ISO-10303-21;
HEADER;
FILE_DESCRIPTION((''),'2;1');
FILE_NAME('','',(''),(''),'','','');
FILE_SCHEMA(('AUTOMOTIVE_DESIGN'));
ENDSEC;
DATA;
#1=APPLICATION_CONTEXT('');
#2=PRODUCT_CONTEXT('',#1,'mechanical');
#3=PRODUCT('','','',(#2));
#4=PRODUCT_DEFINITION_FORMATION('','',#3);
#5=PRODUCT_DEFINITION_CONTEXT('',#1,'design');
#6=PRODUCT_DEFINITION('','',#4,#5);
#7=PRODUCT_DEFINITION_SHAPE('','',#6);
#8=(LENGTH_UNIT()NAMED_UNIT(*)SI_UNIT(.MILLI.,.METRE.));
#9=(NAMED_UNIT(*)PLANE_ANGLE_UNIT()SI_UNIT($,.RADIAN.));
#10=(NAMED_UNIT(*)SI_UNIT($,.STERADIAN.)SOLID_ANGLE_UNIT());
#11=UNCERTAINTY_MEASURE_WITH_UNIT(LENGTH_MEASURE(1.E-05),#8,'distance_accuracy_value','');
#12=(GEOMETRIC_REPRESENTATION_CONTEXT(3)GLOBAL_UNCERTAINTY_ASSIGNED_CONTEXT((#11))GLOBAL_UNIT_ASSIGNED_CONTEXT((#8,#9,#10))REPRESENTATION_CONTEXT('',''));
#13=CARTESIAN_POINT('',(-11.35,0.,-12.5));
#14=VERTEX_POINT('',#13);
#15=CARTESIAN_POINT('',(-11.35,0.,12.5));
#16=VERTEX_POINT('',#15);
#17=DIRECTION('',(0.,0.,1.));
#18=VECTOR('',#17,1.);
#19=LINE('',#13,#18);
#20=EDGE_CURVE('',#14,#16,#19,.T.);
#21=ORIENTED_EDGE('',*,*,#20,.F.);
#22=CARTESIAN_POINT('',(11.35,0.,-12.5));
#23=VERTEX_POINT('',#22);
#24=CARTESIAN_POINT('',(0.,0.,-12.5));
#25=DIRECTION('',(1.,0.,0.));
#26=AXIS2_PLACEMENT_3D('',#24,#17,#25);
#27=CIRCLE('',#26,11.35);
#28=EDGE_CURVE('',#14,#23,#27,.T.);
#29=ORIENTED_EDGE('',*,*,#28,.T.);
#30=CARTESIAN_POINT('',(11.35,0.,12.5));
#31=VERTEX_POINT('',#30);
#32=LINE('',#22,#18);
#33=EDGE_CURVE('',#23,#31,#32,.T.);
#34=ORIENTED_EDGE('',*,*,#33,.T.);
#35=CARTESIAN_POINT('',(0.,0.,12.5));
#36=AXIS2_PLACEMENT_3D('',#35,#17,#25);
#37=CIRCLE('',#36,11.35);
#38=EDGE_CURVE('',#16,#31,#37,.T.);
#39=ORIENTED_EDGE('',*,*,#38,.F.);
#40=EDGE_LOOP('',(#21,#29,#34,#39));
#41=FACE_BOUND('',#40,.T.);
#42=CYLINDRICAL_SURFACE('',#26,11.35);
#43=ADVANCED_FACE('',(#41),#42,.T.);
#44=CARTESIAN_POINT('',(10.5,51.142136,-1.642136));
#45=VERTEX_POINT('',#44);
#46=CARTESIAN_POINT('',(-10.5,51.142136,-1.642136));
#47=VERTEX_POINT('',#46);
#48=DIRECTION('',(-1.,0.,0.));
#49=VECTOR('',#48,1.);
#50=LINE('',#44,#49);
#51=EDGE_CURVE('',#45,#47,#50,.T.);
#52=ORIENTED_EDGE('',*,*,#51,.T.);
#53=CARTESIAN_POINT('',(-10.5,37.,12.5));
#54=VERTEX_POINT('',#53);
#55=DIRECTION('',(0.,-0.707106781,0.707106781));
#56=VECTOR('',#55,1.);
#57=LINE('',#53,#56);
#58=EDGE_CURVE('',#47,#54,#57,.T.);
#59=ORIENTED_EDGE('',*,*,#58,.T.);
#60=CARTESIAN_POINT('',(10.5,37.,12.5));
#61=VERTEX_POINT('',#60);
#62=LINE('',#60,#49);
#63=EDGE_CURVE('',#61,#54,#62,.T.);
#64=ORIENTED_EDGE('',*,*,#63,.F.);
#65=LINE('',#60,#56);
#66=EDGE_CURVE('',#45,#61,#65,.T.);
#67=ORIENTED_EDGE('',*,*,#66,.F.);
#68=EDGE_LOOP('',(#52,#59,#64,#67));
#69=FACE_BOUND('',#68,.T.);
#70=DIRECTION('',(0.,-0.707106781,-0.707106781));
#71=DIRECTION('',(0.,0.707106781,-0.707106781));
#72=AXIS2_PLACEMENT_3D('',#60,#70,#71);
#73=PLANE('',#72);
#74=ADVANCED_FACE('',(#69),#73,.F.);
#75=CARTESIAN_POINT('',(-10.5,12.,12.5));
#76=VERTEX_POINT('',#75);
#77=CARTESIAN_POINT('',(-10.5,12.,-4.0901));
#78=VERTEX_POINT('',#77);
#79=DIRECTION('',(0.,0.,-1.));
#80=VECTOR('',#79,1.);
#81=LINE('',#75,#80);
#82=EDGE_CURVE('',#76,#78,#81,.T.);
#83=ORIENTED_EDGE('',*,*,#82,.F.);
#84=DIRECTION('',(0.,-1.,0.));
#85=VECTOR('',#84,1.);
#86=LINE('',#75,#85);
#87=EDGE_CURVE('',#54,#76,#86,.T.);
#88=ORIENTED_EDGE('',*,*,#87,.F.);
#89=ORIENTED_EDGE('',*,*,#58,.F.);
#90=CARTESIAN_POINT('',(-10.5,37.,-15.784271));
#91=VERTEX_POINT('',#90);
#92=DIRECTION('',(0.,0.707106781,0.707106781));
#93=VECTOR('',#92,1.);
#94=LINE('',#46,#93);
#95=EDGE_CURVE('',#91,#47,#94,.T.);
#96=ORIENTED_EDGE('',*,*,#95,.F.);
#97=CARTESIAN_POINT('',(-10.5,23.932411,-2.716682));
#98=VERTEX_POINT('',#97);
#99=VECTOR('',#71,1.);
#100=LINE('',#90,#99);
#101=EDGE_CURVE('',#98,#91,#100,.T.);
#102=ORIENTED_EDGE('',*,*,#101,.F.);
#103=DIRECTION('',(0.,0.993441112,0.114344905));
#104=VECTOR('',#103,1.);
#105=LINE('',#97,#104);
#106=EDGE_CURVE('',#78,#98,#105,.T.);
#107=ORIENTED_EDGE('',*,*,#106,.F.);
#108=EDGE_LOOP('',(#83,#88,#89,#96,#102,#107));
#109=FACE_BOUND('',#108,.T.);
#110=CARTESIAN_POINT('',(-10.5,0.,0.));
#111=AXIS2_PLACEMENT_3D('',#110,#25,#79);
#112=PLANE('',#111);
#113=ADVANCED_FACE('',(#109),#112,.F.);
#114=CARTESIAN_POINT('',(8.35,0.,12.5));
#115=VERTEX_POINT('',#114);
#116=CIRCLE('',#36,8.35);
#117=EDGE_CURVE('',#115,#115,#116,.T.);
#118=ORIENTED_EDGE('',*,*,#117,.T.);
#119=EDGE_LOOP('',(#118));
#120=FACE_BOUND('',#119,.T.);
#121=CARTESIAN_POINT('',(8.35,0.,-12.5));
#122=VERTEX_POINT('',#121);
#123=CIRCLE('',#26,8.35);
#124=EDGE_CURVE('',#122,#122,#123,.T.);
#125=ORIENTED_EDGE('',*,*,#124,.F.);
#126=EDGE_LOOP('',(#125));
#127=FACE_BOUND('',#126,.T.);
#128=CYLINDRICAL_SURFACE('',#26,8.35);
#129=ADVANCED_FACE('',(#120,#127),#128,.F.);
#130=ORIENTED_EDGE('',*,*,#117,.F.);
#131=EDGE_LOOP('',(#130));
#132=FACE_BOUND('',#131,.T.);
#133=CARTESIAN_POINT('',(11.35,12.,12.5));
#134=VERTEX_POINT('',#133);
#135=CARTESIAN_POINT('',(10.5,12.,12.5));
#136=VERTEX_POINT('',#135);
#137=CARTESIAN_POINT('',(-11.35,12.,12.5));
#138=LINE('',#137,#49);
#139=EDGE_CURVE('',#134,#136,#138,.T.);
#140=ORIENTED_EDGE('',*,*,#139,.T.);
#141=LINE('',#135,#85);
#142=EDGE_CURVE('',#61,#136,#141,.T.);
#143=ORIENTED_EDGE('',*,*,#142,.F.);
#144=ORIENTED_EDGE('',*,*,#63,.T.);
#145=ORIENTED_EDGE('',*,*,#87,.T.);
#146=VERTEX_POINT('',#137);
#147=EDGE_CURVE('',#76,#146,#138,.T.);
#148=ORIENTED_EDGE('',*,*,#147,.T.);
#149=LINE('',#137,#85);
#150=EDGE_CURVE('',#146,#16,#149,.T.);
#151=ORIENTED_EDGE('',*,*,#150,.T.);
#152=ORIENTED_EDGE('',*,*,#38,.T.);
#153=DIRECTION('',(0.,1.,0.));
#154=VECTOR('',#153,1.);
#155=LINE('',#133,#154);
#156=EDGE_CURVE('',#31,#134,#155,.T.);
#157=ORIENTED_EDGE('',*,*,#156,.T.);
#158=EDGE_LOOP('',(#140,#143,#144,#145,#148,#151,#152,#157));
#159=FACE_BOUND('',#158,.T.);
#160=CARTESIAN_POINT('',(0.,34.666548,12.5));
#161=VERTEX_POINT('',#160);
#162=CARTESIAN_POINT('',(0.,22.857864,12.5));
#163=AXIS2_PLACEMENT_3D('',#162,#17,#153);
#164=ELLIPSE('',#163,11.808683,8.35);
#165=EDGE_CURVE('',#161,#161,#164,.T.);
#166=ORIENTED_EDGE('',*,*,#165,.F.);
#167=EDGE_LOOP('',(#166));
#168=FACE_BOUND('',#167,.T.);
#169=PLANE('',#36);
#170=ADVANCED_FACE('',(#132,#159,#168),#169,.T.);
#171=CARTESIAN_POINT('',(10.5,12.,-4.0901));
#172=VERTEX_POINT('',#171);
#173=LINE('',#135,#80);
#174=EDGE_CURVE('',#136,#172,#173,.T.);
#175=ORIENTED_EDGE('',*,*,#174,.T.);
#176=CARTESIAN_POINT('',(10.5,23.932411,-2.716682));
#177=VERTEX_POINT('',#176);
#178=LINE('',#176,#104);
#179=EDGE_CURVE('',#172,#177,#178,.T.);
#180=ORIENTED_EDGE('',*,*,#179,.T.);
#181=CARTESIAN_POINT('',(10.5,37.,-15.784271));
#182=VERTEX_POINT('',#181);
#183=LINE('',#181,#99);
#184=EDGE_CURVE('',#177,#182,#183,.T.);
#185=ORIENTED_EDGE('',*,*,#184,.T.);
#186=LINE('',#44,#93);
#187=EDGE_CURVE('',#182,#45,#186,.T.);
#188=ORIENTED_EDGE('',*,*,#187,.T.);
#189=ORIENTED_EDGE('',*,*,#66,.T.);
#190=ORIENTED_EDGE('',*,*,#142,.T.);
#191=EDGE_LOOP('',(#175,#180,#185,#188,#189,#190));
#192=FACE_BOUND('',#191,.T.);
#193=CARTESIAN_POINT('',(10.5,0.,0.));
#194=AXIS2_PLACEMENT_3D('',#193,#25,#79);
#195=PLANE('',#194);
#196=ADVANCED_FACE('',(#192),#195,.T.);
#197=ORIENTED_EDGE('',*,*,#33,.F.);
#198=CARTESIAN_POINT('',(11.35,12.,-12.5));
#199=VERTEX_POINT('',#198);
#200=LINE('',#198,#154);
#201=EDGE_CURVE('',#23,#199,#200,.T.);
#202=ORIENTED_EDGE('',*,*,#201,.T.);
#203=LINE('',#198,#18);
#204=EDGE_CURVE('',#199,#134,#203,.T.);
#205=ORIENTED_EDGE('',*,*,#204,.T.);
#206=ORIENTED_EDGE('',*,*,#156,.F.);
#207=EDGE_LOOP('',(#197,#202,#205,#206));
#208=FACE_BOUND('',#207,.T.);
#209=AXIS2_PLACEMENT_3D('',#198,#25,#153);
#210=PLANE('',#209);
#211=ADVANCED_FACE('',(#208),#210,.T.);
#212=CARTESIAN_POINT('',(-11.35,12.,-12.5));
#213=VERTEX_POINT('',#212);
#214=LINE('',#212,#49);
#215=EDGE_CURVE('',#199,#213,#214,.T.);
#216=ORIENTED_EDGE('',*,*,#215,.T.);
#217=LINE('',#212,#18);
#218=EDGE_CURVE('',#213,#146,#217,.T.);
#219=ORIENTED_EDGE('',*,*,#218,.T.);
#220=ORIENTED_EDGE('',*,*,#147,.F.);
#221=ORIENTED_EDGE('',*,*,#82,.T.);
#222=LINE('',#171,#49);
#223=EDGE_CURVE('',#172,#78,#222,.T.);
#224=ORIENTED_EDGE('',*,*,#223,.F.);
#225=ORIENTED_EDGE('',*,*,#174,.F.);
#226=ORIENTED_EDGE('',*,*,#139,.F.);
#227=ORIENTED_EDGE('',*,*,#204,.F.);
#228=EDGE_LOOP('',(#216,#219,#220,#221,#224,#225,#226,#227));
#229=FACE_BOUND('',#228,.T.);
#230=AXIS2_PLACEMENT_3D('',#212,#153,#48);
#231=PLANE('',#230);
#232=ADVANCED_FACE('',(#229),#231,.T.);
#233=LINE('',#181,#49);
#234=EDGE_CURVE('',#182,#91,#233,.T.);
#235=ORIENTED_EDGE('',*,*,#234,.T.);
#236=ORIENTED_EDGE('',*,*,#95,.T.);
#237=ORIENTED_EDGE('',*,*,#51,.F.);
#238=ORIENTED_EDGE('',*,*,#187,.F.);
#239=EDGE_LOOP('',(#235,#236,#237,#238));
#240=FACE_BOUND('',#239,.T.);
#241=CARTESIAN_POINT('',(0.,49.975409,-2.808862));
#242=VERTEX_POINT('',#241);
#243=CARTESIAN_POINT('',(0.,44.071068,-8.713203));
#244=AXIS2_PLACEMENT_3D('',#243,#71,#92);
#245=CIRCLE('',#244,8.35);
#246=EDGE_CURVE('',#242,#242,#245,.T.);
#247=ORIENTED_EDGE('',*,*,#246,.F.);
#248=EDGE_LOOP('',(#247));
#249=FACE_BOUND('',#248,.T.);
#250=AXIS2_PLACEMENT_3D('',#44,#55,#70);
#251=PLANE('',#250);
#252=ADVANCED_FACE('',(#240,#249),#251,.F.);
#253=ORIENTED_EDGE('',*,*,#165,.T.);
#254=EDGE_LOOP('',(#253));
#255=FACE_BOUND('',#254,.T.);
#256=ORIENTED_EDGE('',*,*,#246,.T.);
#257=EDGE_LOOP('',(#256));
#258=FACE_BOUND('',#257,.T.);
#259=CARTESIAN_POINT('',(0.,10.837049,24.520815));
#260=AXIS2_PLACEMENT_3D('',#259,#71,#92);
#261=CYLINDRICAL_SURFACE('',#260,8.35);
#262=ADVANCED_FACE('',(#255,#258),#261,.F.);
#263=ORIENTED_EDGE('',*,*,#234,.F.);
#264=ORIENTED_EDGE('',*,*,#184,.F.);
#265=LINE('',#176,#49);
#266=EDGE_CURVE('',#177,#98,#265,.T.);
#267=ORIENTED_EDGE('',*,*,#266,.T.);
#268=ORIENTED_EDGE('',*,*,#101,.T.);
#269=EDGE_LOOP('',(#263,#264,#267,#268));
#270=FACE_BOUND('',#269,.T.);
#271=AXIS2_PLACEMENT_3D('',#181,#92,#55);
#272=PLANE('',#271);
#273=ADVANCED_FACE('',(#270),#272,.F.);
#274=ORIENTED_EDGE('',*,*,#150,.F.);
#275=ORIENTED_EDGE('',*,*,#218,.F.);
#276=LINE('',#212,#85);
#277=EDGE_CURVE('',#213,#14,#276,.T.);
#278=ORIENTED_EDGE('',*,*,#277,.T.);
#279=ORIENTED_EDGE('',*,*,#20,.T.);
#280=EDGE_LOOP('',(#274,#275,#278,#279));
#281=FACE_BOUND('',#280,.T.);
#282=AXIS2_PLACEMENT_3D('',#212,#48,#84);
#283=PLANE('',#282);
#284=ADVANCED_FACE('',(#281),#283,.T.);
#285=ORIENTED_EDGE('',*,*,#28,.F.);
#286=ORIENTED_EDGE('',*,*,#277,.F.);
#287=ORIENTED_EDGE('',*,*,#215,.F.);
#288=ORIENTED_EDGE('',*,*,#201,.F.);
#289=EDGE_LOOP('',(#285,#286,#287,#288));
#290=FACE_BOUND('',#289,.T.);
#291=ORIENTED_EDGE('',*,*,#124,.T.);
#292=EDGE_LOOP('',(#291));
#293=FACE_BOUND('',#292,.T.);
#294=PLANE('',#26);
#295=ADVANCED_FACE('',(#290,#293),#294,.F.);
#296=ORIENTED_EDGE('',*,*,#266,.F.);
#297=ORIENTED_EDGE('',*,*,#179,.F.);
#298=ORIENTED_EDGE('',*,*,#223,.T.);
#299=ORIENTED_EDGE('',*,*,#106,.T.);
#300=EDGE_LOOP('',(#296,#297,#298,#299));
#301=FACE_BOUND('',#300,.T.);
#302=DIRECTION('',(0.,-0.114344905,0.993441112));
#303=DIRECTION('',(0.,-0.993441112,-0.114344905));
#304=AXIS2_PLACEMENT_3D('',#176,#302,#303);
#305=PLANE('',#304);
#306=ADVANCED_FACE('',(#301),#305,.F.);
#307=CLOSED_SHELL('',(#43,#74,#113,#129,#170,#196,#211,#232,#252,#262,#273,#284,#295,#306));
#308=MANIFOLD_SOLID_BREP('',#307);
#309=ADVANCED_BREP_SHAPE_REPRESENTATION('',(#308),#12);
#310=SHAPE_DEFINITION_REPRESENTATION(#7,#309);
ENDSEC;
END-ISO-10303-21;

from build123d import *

# Parameters (mm, degrees)
CROQUIS1_R              = 8.35
SALIENTE_EXTRUIR1_DEPTH = 12.5
SALIENTE_EXTRUIR2_DEPTH = 10.5
CROQUIS3_R              = 8.35
CORTAR_EXTRUIR1_DEPTH   = 47


with BuildPart() as part:
    # Croquis1 → Saliente-Extruir1 (new, symmetric)
    with BuildSketch(Plane.XY):
        with BuildLine():
            Line((-11.35, 12), (11.35, 12))
            Line((11.35, 12), (11.35, 0))
            ThreePointArc((11.35, 0), (0, -11.35), (-11.35, 0))
            Line((-11.35, 0), (-11.35, 12))
        make_face()
        Circle(CROQUIS1_R, mode=Mode.SUBTRACT)
    extrude(amount=SALIENTE_EXTRUIR1_DEPTH, both=True)

    # Croquis2 → Saliente-Extruir2 (add, symmetric)
    with BuildSketch(Plane(origin=(0, 0, 0), x_dir=(0, 0, -1), z_dir=(1, 0, 0))):
        Polygon((-12.5, 12), (-12.5, 37), (1.642135624, 51.142135624), (15.784271247, 37), (2.716681877, 23.93241063), (4.090100333, 12), align=None)
    extrude(amount=SALIENTE_EXTRUIR2_DEPTH, both=True)

    # Croquis3 → Cortar-Extruir1 (cut)
    with BuildSketch(Plane(origin=(0, 26.392135624, -26.392135624), x_dir=(1, 0, 0), z_dir=(0, 0.7071067811865465, -0.7071067811865487))):
        with Locations(Location((0, -25.001785669, 0), (0, 0, 270))):
            Circle(CROQUIS3_R)
    extrude(amount=-CORTAR_EXTRUIR1_DEPTH, mode=Mode.SUBTRACT)


solid = part.part
